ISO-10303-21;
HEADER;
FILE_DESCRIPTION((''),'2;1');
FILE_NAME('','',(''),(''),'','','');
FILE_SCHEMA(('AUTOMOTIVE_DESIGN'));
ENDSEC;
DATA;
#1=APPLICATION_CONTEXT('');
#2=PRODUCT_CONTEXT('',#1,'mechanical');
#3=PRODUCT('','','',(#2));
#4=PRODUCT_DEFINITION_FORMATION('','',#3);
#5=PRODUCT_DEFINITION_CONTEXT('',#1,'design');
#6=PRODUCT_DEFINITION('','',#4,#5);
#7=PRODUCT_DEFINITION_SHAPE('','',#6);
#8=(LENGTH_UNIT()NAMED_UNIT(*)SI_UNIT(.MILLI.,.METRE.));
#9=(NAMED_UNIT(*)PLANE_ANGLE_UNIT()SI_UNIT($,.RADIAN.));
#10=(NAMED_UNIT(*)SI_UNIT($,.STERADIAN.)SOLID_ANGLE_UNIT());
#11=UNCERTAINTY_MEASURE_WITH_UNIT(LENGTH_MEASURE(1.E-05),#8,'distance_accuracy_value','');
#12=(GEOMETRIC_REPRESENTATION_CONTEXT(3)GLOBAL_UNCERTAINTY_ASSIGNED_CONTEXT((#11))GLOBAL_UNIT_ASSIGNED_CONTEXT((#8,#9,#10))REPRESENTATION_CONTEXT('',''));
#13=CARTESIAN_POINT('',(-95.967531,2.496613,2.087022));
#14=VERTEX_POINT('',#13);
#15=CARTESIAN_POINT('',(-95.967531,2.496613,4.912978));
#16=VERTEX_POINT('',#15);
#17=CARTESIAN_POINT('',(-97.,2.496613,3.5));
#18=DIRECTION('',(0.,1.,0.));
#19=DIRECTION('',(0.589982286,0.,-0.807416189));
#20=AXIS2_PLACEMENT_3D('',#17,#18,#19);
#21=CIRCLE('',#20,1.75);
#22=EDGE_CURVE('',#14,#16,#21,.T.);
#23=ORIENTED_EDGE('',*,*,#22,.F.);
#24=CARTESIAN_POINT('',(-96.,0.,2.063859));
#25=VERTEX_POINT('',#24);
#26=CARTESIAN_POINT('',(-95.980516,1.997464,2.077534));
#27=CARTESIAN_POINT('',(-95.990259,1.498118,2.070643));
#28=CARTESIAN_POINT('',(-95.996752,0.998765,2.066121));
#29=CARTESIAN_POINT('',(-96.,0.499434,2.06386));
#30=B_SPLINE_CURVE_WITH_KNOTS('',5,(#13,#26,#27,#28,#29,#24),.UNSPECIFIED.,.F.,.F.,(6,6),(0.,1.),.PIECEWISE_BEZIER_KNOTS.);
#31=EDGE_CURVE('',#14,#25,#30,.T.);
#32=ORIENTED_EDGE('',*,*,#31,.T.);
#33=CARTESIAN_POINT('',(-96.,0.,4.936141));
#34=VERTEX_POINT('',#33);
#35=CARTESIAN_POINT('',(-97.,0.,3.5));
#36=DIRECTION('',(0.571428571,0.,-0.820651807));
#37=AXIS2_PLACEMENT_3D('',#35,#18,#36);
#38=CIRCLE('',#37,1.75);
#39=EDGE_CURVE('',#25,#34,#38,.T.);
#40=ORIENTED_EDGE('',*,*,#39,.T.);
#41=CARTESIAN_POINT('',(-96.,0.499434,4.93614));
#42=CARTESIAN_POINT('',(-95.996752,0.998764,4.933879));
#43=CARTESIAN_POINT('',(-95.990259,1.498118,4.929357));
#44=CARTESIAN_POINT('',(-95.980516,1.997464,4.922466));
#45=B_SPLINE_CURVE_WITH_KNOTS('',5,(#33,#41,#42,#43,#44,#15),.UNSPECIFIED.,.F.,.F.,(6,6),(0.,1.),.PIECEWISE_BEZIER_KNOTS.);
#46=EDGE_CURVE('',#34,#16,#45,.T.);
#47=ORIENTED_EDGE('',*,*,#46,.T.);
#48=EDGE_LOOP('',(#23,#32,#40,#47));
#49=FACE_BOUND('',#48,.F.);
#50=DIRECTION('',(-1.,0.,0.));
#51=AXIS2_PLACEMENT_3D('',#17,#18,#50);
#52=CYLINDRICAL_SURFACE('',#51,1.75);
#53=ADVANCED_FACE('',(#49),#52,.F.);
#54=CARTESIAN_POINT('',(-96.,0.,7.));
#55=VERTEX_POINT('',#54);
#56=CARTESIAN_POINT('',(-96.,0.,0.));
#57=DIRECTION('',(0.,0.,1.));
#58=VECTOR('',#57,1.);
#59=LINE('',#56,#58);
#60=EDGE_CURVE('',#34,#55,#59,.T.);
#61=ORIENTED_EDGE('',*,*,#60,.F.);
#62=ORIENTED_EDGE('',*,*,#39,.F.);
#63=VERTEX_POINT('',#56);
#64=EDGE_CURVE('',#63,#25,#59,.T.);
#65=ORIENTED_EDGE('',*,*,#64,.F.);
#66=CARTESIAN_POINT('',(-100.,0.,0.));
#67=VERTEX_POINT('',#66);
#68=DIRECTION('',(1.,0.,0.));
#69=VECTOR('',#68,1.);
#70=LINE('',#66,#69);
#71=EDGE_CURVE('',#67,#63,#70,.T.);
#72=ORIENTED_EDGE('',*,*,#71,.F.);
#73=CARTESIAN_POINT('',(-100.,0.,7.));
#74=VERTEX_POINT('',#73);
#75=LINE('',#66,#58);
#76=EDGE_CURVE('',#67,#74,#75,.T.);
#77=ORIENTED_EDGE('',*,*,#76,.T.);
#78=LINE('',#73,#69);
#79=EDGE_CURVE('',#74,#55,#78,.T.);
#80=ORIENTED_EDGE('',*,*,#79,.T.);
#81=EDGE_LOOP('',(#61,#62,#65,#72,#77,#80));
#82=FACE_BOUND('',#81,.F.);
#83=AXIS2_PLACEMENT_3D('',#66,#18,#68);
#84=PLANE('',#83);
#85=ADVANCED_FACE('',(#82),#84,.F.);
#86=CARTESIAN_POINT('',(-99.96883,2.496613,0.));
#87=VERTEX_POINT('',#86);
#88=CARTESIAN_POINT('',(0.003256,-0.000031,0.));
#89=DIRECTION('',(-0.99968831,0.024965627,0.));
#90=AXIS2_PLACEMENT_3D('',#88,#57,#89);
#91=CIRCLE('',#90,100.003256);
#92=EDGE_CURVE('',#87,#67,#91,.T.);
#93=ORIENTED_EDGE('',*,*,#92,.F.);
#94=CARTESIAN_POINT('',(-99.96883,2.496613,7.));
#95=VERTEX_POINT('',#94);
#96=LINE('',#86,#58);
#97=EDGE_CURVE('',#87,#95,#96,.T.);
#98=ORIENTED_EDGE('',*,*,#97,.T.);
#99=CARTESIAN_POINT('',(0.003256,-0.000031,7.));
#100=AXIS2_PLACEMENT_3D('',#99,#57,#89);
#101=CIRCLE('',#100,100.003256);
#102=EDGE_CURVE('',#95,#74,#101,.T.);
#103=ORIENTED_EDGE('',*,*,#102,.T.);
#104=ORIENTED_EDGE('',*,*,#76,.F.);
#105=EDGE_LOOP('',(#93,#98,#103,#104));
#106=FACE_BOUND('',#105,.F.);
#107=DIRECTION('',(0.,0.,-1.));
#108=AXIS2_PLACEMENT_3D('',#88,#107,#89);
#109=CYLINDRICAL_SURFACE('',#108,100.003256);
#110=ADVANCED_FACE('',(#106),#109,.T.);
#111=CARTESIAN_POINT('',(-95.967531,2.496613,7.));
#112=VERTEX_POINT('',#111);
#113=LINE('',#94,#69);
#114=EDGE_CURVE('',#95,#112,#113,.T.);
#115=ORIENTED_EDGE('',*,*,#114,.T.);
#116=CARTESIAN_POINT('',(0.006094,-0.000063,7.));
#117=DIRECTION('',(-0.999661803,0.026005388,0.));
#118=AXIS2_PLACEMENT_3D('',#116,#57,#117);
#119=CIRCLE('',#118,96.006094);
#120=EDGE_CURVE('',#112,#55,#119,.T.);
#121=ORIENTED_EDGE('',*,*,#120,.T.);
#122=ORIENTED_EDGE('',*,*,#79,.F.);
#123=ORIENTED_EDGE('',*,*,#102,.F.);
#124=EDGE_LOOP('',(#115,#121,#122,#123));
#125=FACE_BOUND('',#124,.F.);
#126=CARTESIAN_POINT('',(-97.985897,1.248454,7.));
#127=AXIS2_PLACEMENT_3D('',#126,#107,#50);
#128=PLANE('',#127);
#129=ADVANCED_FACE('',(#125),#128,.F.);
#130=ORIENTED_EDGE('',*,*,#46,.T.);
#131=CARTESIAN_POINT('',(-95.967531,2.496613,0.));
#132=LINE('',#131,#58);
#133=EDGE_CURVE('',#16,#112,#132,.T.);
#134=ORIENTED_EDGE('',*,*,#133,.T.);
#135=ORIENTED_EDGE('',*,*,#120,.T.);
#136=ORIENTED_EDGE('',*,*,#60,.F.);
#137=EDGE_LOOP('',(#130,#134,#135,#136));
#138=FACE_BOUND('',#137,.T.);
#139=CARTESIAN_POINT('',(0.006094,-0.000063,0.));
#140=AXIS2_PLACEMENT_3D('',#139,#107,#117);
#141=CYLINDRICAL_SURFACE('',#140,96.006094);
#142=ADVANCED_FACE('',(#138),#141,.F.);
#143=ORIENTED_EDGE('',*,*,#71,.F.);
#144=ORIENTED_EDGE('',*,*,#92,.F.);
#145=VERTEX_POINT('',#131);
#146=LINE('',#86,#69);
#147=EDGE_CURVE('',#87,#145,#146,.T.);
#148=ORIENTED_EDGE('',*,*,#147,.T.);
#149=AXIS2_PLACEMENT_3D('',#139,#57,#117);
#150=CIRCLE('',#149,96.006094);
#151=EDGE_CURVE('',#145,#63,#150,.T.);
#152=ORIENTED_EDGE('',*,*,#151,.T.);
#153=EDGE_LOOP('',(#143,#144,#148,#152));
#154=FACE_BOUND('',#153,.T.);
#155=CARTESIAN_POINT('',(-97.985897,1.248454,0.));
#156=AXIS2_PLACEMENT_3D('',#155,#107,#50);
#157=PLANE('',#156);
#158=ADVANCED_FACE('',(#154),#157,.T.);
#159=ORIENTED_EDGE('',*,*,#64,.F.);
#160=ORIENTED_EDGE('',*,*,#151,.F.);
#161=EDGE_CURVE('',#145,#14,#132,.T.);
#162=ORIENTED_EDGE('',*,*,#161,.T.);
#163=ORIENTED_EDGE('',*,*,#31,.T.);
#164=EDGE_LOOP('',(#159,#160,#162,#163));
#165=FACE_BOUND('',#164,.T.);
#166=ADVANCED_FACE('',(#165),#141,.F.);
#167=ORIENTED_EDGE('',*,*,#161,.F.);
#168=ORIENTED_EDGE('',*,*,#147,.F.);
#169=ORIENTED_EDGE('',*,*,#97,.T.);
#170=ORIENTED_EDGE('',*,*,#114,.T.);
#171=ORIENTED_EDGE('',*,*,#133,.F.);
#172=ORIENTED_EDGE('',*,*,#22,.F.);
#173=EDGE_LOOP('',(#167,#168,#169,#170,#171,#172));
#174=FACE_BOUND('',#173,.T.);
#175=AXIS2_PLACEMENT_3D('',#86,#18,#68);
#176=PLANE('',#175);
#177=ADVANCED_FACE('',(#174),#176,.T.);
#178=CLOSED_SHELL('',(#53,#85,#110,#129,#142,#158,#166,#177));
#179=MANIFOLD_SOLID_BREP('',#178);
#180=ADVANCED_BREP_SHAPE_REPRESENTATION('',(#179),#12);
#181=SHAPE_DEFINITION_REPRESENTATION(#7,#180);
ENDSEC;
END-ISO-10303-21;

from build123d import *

# Parameters (mm, degrees)
PAD_DEPTH    = 7
SKETCH001_R  = 1.75
POCKET_DEPTH = 5


with BuildPart() as part:
    # Sketch → Pad (new body)
    with BuildSketch(Plane.XY):
        with BuildLine():
            ThreePointArc((-95.967531, 2.496613), (-95.991882, 1.248412), (-96, 0))
            Line((-100, 0), (-96, 0))
            ThreePointArc((-99.96883, 2.496613), (-99.992207, 1.248404), (-100, 0))
            Line((-99.96883, 2.496613), (-95.967531, 2.496613))
        make_face()
    extrude(amount=PAD_DEPTH)

    # Sketch001 (on Face1 of Pad) → Pocket (cut)
    with BuildSketch(Plane(origin=(0, 2.496613, 0), x_dir=(-1, 0, 0), z_dir=(0, 1, 0))):
        with Locations((97, 3.5)):
            Circle(SKETCH001_R)
    extrude(amount=-POCKET_DEPTH, mode=Mode.SUBTRACT)


solid = part.part
